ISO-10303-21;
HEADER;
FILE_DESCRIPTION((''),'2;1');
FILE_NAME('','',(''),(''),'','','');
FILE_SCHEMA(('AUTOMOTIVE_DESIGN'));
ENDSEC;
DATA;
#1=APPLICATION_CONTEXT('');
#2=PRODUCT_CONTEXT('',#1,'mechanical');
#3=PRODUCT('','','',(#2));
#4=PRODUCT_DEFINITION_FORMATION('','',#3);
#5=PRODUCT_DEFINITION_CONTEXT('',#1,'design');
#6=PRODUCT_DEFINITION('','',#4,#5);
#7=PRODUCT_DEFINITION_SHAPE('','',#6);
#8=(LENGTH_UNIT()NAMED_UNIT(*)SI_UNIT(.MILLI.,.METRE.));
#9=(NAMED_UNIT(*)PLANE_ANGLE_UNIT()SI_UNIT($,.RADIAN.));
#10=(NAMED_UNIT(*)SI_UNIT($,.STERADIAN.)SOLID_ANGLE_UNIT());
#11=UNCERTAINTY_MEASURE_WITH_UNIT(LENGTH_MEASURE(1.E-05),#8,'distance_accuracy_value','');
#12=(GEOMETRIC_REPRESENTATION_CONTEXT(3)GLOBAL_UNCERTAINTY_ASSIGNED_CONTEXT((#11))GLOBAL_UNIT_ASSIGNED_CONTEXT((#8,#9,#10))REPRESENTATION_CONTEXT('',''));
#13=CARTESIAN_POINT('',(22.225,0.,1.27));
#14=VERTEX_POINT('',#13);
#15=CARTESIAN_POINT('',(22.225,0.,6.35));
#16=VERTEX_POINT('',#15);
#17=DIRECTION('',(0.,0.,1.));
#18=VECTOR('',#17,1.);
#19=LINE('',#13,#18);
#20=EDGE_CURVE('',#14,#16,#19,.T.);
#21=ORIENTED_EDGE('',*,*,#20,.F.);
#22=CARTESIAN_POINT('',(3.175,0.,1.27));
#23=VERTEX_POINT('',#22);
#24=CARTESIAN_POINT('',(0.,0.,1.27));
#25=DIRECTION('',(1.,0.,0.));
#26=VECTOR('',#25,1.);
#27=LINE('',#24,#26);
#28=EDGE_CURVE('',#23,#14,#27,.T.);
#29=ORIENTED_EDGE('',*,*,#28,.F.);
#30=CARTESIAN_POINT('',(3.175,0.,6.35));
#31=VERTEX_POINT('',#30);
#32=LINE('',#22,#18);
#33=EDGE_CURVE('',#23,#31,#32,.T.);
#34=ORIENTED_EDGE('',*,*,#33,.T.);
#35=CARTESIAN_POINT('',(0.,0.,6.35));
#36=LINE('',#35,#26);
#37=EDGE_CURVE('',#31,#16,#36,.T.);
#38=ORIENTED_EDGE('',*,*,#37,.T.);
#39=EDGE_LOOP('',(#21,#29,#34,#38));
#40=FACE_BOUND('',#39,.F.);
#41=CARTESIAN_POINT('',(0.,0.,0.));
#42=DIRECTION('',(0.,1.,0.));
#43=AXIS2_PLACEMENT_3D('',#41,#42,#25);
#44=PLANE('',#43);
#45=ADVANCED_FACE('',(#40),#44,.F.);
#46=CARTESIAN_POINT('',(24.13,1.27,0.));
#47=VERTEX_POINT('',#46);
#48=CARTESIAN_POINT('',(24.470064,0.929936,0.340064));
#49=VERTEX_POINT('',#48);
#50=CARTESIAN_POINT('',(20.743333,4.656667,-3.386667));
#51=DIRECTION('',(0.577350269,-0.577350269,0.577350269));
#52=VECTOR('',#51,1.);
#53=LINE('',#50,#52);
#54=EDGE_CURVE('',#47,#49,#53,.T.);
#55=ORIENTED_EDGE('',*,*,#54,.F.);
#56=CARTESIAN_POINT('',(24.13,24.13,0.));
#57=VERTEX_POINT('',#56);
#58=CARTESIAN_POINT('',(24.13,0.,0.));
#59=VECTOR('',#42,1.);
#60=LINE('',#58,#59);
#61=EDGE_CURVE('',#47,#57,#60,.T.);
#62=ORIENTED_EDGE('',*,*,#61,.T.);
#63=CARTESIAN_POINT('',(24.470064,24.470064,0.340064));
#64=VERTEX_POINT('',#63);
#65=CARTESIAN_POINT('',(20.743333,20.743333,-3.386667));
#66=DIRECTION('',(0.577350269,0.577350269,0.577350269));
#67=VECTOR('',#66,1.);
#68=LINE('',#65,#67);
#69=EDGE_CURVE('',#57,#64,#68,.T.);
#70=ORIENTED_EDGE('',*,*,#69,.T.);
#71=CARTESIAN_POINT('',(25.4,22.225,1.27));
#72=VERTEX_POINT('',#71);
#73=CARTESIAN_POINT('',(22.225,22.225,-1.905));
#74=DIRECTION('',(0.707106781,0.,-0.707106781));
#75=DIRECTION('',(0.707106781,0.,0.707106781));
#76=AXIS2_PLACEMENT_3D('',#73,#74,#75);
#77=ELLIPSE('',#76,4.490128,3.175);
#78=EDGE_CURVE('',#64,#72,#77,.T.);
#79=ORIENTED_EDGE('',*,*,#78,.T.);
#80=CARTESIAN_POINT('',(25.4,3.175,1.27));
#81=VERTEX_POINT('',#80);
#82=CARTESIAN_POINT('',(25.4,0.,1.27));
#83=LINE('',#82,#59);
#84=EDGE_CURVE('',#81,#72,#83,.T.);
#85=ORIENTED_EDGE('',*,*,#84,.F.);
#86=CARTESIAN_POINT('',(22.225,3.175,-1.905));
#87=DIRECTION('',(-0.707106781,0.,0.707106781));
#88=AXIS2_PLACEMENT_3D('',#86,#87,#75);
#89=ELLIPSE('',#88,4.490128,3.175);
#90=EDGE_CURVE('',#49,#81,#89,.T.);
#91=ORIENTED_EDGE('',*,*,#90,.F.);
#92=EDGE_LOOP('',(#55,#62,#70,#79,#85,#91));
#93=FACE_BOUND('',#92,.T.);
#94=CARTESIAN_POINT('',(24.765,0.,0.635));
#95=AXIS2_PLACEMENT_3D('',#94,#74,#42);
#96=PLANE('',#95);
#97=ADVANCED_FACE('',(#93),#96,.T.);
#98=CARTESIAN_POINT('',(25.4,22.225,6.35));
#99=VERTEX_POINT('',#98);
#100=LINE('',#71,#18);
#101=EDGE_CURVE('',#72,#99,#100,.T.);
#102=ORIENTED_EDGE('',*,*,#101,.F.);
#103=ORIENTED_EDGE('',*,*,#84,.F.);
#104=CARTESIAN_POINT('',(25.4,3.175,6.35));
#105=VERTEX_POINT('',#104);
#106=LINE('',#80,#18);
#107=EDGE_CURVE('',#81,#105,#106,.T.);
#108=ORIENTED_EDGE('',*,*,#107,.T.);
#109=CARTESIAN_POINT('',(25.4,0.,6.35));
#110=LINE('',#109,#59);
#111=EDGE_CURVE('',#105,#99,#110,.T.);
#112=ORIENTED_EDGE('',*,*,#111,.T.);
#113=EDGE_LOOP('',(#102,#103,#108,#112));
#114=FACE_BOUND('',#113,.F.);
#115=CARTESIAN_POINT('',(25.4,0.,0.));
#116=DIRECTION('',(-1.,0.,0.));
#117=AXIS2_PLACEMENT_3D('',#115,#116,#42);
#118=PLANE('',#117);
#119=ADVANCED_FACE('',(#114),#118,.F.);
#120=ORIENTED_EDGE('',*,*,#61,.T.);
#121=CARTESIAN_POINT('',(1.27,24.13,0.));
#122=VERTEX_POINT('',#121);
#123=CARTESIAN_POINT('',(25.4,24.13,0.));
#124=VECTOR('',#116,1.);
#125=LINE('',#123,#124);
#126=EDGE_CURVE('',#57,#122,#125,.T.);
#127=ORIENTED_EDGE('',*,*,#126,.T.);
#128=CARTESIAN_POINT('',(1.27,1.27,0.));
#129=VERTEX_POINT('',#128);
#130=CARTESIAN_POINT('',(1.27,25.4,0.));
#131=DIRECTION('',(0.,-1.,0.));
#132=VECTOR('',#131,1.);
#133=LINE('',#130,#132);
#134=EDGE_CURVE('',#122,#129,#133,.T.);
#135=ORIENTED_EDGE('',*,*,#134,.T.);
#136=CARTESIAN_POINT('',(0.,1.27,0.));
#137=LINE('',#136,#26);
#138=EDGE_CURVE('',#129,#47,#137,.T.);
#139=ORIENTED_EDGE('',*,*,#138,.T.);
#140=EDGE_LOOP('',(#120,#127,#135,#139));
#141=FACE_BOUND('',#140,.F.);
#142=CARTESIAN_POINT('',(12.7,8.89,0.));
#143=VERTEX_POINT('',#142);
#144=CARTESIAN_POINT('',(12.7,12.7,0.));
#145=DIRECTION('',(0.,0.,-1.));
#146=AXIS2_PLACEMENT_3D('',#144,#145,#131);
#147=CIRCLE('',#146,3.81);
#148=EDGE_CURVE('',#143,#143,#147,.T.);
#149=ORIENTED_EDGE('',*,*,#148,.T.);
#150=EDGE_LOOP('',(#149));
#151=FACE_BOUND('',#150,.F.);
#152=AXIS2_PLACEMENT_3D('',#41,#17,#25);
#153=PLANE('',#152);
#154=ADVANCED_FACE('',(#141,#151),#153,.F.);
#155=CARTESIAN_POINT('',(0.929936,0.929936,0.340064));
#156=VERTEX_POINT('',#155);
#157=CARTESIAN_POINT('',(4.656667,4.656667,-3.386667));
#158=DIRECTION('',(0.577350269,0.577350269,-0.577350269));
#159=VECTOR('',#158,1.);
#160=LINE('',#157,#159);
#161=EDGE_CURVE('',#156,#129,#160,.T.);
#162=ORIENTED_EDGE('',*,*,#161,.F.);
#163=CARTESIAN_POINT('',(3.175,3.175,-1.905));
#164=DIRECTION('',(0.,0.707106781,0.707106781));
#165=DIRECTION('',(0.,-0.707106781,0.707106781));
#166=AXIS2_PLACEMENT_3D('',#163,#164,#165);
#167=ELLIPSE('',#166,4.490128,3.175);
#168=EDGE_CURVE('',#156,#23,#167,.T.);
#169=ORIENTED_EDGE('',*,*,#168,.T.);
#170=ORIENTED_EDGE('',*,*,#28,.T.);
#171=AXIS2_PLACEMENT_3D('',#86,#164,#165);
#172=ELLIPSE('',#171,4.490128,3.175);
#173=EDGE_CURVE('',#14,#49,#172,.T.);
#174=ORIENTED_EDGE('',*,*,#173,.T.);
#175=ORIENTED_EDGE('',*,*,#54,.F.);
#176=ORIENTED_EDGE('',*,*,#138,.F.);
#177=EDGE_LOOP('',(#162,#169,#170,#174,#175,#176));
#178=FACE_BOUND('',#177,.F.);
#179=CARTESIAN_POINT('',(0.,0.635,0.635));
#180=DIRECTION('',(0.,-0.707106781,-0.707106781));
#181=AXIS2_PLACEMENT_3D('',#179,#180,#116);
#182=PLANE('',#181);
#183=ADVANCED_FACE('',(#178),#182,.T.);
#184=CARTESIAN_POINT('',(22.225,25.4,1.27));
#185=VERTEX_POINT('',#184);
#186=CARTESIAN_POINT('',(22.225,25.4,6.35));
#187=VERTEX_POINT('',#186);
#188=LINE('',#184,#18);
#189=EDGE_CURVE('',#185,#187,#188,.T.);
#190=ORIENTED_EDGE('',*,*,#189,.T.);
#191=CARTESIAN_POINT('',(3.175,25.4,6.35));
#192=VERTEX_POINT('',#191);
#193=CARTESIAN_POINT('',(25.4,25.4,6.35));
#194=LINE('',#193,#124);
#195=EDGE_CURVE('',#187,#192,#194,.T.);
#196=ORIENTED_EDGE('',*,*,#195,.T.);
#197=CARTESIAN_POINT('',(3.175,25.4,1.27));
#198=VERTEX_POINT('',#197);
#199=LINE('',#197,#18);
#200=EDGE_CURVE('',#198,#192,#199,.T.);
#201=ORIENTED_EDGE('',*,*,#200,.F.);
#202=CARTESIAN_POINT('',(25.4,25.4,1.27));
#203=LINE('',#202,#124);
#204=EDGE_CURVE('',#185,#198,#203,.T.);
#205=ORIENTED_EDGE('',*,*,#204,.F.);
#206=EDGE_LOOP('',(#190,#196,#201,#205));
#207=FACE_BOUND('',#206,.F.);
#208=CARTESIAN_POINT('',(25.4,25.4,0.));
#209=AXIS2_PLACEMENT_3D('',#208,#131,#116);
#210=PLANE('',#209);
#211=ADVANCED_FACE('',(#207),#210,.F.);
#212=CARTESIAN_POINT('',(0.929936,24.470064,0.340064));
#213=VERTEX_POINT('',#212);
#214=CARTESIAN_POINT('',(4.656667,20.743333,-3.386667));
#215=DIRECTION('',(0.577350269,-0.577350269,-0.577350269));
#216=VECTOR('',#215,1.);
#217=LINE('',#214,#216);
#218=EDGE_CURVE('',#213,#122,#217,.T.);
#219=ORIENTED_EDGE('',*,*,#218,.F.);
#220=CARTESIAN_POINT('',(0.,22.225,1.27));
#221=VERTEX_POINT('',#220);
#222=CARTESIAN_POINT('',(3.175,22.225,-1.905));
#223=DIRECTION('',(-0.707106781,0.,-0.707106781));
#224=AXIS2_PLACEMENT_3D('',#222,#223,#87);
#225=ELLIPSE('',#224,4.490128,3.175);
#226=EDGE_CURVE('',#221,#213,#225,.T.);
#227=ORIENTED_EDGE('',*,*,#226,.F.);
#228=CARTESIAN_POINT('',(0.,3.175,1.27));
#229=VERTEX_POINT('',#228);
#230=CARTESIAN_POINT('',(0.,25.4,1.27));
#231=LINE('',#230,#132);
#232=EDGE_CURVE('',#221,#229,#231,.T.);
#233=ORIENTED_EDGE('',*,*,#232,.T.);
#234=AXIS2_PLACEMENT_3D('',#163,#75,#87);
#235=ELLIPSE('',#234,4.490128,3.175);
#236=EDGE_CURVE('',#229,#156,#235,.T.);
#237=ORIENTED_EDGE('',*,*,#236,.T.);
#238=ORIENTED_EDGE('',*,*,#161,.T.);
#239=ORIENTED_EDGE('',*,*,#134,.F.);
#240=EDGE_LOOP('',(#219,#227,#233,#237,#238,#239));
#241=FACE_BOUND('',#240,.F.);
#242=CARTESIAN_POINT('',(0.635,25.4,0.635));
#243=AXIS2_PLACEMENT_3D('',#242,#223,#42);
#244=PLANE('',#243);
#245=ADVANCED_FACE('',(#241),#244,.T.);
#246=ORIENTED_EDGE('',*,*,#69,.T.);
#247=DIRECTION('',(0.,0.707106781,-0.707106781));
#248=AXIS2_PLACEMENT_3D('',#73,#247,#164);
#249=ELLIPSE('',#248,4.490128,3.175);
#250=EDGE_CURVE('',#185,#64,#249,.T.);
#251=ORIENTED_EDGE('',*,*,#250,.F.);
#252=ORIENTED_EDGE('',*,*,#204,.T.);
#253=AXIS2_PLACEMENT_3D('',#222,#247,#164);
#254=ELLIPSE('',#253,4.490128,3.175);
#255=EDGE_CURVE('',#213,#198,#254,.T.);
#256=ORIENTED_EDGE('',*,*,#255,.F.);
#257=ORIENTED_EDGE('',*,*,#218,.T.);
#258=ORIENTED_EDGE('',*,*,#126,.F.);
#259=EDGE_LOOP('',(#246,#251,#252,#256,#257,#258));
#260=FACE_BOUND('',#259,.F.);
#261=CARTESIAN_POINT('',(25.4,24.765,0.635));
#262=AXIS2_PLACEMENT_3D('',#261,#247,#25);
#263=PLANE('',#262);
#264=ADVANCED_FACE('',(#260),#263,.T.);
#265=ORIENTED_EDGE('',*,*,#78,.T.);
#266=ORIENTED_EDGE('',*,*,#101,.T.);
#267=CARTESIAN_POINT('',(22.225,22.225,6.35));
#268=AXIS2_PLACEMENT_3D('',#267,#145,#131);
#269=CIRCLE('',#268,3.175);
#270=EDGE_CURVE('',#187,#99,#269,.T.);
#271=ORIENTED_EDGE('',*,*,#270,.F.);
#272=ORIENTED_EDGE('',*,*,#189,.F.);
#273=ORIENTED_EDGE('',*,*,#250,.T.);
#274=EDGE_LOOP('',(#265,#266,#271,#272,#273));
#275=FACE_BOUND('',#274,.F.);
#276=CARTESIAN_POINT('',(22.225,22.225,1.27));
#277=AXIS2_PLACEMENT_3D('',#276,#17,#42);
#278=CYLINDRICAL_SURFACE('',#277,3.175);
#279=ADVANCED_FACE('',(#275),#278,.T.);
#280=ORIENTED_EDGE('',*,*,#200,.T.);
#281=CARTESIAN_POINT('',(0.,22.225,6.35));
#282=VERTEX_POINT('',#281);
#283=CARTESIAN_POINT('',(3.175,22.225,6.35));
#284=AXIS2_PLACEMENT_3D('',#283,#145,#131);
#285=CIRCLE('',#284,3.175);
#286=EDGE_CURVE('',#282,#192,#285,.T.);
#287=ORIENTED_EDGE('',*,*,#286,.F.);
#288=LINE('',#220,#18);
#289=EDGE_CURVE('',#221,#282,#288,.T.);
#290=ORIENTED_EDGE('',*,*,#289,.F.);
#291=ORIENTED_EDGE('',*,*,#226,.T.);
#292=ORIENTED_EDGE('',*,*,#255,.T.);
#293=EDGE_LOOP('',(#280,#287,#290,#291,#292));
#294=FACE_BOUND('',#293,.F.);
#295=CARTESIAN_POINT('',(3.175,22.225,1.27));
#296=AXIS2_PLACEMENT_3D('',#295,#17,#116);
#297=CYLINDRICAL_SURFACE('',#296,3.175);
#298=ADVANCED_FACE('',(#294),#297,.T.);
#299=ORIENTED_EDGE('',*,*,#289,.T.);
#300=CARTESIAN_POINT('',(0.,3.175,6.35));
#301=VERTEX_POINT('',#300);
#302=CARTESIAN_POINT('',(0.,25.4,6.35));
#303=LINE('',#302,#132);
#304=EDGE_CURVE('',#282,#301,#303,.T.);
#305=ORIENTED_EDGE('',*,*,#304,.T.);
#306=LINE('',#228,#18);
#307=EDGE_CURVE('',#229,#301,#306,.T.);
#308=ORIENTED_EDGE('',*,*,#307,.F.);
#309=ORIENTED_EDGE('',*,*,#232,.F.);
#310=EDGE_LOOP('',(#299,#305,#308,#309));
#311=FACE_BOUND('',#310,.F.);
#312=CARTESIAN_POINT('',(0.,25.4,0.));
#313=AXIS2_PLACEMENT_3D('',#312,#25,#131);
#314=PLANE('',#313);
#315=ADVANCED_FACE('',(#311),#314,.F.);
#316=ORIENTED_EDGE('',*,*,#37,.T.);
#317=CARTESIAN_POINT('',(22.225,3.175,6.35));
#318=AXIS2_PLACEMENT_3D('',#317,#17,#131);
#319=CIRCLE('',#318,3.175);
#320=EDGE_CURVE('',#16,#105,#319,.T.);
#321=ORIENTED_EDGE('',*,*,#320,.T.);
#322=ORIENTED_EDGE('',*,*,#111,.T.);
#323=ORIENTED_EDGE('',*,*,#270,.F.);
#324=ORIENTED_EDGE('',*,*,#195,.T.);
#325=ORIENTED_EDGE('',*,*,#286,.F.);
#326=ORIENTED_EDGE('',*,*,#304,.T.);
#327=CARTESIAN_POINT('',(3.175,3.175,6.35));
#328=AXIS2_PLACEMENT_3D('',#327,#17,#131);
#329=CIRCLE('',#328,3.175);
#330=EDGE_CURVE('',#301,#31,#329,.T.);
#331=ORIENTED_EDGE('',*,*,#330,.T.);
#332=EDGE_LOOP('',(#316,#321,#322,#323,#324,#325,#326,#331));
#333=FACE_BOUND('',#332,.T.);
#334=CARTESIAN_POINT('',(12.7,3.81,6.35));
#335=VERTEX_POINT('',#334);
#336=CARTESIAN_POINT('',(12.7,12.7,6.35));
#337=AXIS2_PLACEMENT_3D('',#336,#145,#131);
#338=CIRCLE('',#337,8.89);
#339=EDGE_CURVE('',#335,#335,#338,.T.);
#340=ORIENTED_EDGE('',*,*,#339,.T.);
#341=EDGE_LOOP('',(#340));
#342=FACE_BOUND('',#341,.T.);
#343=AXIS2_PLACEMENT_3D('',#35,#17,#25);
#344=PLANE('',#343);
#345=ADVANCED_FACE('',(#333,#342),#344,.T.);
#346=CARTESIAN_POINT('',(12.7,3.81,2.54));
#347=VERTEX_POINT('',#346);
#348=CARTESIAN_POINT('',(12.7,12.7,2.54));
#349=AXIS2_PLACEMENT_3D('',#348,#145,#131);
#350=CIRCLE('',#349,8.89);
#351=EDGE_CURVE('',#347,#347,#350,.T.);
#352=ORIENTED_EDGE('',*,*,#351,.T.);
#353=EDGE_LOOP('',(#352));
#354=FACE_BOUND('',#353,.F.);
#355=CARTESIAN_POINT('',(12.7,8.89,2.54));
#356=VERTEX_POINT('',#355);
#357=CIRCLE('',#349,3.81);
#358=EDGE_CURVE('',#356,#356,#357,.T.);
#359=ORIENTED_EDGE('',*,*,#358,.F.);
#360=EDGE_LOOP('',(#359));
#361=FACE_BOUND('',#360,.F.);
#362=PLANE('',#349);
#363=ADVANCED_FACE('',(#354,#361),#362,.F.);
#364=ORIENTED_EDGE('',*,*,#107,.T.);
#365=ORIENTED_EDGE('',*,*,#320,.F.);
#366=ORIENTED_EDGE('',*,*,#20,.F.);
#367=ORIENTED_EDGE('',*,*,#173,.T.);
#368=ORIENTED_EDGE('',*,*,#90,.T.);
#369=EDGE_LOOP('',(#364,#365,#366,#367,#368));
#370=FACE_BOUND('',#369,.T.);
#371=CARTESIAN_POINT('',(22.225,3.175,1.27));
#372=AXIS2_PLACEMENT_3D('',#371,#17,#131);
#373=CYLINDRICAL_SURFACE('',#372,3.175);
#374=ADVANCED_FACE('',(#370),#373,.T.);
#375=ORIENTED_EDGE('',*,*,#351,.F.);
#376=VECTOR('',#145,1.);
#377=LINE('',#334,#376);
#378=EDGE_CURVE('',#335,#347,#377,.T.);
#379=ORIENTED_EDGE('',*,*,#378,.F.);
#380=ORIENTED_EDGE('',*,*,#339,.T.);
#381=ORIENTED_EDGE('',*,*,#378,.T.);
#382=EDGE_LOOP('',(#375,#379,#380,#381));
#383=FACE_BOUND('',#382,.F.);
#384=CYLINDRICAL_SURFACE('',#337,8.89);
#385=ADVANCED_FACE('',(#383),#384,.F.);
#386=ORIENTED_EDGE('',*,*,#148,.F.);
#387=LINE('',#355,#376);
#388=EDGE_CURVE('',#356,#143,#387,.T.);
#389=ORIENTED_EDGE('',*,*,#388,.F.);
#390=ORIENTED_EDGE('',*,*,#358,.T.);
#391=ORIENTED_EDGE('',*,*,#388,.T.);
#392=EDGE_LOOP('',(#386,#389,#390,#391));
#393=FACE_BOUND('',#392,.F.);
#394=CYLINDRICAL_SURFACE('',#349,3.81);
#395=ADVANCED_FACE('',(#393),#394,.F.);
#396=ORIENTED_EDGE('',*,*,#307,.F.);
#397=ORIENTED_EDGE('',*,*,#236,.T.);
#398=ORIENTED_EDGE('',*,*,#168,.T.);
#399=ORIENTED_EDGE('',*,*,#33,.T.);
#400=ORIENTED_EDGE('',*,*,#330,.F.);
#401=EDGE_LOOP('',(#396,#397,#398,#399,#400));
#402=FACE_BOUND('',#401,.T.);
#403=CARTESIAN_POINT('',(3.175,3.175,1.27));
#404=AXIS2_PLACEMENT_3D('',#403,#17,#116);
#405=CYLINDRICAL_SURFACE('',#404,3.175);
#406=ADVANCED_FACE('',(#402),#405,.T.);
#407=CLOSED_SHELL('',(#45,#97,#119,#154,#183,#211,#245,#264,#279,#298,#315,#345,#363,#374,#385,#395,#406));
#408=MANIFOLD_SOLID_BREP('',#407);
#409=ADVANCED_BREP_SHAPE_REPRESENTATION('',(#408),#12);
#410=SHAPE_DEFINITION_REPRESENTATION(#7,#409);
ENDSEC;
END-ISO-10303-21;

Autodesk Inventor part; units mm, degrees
ref_plane "YZ Plane" through (0, 0, 0) normal (1, 0, 0) x (0, 1, 0)
ref_plane "XZ Plane" through (0, 0, 0) normal (0, 1, 0) x (-1, 0, 0)
ref_plane "XY Plane" through (0, 0, 0) normal (0, 0, 1) x (1, 0, 0)
sketch "Sketch1" plane through (0, 0, 0) normal (0, 0, 1) x (1, 0, 0)
  line L0 (0, 0) -> (25.4, 0)
  line L1 (25.4, 0) -> (25.4, 25.4)
  line L2 (25.4, 25.4) -> (0, 25.4)
  line L3 (0, 25.4) -> (0, 0)
  dimension "d0" = 25.4
extrude "Extrusion1" add sketch "Sketch1" along normal blind 6.35
sketch "Sketch2" plane through (0, 0, 6.35) normal (0, 0, 1) x (1, 0, 0)
  line L0 (25.4, 25.4) -> (0, 25.4) construction
  line L1 (25.4, 0) -> (25.4, 25.4) construction
  line L2 (0, 25.4) -> (25.4, 0) construction
  line L3 (0, 0) -> (25.4, 25.4) construction
  point P0 (12.7, 12.7)
hole "Hole1" at (12.7, 12.7, 6.35) direction (0, 0, -1) diameter 7.62 end through all counterbore diameter 17.78 counterbore depth 3.81
chamfer "Chamfer1" distance 1.27 angle 45 4 edges at (25.4, 12.7, 0) (12.7, 25.4, 0) (0, 12.7, 0) (12.7, 0, 0)
fillet "Fillet1" radius 3.175 4 edges at (25.4, 25.4, 3.81) (0, 25.4, 3.81) (25.4, 0, 3.81) (0, 0, 3.81)
properties part number "testpot"
